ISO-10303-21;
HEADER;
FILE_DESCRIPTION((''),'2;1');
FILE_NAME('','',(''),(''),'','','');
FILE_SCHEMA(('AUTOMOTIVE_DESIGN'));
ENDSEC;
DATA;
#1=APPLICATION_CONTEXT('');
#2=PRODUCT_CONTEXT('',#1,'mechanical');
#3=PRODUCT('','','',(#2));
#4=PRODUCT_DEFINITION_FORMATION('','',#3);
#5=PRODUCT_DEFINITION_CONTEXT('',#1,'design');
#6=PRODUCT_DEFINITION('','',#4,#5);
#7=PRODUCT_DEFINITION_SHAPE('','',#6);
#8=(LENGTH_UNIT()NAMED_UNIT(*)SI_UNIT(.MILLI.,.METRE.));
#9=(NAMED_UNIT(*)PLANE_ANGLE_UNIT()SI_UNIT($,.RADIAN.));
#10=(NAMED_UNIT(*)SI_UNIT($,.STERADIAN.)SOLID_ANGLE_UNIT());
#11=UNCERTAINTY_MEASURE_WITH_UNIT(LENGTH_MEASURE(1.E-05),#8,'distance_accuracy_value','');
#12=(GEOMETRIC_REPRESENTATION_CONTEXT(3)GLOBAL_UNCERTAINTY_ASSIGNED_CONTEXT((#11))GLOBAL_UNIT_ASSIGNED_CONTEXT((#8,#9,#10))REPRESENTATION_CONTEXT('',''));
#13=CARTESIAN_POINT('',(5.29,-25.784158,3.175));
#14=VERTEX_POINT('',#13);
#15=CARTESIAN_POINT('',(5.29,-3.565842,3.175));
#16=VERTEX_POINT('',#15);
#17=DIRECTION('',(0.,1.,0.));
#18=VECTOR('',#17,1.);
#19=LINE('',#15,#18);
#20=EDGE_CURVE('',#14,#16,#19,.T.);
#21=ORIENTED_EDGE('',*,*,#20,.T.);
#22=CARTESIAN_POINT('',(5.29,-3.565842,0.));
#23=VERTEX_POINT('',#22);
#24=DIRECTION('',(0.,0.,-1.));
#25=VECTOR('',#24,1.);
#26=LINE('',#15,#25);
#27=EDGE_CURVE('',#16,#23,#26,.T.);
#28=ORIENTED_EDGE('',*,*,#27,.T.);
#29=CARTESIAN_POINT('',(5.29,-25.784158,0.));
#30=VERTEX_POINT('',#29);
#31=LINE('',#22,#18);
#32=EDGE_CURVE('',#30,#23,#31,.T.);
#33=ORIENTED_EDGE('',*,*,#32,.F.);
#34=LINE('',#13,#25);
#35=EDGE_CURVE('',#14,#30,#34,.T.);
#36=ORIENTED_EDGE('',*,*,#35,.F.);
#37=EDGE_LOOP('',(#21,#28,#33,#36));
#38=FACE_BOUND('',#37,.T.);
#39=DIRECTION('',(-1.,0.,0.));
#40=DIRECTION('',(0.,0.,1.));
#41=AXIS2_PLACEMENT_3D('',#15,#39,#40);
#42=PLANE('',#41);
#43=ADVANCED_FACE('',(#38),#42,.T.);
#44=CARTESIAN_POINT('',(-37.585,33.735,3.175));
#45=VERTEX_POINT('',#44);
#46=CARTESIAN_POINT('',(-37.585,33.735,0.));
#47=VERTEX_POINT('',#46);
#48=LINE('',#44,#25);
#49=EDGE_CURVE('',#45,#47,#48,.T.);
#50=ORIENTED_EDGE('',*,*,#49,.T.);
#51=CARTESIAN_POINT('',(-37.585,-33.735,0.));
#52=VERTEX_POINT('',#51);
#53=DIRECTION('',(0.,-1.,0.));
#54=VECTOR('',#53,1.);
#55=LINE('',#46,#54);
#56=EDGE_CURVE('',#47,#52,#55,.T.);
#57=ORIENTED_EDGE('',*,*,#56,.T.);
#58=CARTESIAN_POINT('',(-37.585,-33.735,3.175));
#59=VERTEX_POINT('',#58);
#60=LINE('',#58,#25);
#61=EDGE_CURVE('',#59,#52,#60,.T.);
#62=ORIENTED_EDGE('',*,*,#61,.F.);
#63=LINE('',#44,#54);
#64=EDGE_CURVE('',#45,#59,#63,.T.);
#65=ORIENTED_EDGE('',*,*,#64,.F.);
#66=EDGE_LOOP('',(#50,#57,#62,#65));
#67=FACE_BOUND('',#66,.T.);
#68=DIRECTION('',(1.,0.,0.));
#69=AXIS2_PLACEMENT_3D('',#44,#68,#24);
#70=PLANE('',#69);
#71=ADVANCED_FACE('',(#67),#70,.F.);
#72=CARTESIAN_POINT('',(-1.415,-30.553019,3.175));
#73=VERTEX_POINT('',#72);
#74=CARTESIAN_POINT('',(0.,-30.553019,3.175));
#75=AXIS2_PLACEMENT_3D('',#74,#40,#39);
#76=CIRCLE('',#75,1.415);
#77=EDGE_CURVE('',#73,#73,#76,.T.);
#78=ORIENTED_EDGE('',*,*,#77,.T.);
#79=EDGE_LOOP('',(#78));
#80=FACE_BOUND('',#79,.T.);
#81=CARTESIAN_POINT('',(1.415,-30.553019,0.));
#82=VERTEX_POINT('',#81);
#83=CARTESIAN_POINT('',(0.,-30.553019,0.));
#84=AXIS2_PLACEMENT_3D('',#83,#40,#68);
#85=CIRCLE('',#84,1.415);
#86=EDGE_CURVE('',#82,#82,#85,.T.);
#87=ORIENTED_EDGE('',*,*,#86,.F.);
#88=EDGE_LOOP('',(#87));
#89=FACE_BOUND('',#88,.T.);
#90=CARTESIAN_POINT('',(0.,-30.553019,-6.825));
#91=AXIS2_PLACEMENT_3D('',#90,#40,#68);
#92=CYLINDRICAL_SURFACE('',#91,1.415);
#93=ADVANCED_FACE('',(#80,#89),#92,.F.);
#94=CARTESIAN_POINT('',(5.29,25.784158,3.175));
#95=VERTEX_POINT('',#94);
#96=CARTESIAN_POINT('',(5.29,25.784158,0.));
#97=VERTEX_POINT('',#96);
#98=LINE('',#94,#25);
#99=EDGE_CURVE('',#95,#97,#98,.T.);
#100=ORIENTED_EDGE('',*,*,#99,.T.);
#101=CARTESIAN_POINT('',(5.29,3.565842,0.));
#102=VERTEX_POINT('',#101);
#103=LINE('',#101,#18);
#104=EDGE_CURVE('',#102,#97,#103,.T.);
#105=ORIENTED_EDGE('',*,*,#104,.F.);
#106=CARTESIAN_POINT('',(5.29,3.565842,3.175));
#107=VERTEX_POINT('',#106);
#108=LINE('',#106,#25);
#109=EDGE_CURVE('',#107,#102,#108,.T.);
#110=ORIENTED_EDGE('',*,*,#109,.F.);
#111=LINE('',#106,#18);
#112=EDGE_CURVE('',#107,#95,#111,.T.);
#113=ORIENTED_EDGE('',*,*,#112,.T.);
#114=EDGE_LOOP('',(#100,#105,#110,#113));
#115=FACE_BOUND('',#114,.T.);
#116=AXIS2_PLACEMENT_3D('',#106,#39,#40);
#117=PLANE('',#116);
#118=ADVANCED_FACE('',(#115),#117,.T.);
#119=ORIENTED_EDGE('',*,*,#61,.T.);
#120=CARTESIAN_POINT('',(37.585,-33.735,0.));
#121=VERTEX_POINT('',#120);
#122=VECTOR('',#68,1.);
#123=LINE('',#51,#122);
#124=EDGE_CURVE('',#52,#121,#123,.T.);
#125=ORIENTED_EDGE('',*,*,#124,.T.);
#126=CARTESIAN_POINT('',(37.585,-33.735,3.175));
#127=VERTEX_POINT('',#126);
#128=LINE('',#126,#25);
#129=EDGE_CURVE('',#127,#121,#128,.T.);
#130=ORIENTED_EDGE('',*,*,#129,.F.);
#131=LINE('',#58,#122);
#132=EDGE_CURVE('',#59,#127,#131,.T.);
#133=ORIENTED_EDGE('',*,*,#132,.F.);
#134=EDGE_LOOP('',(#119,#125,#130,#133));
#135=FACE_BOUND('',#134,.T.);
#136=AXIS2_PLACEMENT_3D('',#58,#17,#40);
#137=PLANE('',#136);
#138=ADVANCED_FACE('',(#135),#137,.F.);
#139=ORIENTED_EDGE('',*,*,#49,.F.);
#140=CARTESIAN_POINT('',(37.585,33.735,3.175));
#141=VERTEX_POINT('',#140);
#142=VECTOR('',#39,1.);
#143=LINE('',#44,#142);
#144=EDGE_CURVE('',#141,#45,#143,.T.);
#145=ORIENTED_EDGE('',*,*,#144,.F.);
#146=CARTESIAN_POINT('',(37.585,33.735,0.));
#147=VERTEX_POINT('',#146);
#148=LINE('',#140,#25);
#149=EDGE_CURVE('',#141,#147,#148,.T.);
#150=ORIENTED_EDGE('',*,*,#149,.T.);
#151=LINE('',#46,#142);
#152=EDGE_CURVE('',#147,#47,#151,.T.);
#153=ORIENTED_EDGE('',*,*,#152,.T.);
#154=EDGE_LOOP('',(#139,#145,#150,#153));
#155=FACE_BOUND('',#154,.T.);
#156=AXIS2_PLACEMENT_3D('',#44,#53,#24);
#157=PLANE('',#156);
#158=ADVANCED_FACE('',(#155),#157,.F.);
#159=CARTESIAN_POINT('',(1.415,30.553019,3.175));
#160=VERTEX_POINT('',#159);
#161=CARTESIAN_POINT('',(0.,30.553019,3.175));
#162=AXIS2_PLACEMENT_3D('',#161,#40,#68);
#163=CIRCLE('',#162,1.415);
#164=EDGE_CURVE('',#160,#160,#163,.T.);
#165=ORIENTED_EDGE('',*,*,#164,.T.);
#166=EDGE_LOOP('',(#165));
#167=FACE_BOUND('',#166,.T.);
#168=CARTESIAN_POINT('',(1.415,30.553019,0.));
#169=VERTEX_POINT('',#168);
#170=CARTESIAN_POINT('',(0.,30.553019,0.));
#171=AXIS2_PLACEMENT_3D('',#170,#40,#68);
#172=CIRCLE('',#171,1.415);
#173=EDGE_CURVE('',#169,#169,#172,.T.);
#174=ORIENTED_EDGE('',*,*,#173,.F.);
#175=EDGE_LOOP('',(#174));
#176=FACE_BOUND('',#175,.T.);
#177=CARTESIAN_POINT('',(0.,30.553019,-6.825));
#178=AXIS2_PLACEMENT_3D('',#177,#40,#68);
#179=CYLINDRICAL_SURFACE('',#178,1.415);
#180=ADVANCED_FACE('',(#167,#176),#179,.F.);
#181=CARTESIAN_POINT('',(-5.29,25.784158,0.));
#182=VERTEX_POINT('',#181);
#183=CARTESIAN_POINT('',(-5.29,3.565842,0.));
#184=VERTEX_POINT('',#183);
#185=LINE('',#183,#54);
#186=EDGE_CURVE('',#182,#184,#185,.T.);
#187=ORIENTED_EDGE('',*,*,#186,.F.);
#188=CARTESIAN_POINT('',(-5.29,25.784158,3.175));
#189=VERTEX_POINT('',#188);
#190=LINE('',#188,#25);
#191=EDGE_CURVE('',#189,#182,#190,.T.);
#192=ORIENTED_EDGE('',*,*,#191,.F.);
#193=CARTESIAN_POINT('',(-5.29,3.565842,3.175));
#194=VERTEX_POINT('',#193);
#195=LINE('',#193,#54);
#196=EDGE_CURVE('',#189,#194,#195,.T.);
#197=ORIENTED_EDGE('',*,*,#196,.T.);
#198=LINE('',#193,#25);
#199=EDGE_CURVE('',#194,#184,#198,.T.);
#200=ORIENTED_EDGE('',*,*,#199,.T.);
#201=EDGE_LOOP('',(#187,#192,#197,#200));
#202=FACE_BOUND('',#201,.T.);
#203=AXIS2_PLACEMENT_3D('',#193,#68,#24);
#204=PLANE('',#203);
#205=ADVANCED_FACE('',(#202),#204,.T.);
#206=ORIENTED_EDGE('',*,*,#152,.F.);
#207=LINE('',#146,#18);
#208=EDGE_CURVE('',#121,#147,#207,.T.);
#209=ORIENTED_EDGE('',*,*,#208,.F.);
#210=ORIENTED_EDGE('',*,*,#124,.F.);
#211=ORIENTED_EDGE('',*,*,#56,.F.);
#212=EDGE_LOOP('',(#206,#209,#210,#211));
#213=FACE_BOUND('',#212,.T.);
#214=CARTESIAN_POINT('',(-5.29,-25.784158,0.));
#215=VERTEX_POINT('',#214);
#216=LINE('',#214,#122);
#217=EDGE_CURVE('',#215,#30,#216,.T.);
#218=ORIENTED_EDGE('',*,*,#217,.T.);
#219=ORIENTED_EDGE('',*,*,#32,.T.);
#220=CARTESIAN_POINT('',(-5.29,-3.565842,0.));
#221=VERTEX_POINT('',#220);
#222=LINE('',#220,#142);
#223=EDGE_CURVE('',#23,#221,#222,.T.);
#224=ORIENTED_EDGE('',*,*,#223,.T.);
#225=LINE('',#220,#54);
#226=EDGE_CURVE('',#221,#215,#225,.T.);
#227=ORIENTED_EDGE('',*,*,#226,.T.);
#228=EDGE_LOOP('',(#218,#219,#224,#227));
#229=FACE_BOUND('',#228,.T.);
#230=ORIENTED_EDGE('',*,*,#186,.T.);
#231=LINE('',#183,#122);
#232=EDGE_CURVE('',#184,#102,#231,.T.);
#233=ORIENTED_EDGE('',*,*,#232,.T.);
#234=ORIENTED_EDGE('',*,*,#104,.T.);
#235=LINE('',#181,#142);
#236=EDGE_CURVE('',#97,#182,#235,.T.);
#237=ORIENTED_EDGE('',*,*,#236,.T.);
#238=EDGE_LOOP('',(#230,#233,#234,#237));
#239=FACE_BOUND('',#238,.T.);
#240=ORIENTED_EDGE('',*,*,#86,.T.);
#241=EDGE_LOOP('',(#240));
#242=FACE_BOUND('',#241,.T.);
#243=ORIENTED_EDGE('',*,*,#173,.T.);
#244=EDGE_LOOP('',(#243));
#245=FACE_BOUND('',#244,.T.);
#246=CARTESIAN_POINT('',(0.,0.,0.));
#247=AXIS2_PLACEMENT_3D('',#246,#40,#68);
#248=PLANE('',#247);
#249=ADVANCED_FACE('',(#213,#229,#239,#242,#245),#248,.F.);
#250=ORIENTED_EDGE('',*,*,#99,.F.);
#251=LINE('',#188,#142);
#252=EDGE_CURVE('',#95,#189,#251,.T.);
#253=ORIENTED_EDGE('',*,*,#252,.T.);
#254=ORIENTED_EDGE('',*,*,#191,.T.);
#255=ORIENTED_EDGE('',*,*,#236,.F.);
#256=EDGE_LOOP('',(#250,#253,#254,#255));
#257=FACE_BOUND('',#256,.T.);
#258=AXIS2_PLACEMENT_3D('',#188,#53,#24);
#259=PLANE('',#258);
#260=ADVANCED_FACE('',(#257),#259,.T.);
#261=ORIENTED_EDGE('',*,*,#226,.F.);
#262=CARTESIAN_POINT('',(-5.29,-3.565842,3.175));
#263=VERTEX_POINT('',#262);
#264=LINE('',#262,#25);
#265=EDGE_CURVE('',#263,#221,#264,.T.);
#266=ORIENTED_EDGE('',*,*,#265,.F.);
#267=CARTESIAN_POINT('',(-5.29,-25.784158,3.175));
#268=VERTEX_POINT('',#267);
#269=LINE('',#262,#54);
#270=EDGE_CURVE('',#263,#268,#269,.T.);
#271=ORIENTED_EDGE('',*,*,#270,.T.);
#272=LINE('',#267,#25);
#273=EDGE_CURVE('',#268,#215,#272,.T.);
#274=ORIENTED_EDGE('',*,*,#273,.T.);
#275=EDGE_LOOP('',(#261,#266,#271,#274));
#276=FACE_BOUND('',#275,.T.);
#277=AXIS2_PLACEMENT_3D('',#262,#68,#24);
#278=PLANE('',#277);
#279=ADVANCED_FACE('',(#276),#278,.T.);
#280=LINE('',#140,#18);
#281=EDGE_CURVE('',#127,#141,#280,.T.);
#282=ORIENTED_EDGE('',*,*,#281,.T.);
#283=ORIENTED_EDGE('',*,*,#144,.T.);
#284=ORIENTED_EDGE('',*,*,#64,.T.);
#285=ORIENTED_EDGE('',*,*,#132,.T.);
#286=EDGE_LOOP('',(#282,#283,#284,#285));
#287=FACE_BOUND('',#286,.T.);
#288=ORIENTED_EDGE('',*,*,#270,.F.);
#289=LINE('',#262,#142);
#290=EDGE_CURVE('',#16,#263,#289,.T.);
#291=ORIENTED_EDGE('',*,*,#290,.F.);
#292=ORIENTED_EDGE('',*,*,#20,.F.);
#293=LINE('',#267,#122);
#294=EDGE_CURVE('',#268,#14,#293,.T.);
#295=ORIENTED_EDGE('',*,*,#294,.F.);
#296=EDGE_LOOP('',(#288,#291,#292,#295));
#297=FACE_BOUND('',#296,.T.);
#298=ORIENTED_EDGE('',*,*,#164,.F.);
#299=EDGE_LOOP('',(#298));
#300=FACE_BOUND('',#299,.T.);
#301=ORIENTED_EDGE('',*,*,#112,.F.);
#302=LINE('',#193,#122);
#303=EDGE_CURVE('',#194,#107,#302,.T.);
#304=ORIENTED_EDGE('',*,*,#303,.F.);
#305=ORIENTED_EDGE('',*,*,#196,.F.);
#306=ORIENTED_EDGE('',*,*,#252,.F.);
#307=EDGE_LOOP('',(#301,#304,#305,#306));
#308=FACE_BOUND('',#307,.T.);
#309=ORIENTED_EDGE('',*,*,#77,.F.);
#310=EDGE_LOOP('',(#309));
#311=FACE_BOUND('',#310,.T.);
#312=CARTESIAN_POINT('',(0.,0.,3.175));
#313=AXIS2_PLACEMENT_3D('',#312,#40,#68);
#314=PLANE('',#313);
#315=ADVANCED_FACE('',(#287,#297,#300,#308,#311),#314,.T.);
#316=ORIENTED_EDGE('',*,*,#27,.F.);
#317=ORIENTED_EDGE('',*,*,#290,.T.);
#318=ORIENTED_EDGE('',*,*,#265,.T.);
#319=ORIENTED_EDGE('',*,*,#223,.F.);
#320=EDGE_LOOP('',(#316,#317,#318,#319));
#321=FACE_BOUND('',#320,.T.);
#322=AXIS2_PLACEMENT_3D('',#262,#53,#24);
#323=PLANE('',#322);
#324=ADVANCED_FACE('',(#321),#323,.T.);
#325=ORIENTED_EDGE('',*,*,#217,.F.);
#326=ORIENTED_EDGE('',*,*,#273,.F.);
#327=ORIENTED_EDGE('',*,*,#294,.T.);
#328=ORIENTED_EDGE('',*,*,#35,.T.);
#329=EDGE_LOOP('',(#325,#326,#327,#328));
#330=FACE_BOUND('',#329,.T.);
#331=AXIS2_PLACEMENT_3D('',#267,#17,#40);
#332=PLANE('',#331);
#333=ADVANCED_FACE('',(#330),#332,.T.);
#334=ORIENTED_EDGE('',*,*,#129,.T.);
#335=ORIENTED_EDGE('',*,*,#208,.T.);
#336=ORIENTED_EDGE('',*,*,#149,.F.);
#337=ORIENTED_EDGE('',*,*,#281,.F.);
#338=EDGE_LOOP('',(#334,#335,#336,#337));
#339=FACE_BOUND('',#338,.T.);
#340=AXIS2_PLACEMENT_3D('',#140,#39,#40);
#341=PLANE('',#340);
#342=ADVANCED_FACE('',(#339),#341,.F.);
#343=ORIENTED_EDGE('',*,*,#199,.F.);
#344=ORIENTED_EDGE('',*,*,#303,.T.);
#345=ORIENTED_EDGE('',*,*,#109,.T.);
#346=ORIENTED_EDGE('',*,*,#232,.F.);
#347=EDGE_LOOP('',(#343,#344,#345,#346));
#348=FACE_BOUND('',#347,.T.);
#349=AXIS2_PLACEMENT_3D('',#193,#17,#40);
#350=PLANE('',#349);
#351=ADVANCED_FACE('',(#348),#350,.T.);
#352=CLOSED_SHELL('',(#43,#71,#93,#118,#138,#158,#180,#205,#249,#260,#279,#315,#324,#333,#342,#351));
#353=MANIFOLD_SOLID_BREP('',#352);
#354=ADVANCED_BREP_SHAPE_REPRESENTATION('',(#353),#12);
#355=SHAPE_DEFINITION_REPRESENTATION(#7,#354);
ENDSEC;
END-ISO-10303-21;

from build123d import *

# Parameters (mm, degrees)
SKETCH1_W           = 75.17
SKETCH1_H           = 67.47
SKETCH1_W_2         = 10.58
SKETCH1_H_2         = 22.218316852
BOSS_EXTRUDE1_DEPTH = 3.175
SKETCH2_R           = 1.415
CUT_EXTRUDE1_DEPTH  = 10


with BuildPart() as part:
    # Sketch1 → Boss-Extrude1 (new body)
    with BuildSketch(Plane.XY):
        Rectangle(SKETCH1_W, SKETCH1_H)
        with Locations((0, 14.675)):
            Rectangle(SKETCH1_W_2, SKETCH1_H_2, mode=Mode.SUBTRACT)
        with Locations((0, -14.675)):
            Rectangle(SKETCH1_W_2, SKETCH1_H_2, mode=Mode.SUBTRACT)
    extrude(amount=BOSS_EXTRUDE1_DEPTH)

    # Sketch2 → Cut-Extrude1 (cut)
    with BuildSketch(Plane.XY.offset(3.175)):
        with Locations((0, 30.553019485)):
            Circle(SKETCH2_R)
        with Locations((0, -30.553019485)):
            Circle(SKETCH2_R)
    extrude(amount=-CUT_EXTRUDE1_DEPTH, mode=Mode.SUBTRACT)


solid = part.part
